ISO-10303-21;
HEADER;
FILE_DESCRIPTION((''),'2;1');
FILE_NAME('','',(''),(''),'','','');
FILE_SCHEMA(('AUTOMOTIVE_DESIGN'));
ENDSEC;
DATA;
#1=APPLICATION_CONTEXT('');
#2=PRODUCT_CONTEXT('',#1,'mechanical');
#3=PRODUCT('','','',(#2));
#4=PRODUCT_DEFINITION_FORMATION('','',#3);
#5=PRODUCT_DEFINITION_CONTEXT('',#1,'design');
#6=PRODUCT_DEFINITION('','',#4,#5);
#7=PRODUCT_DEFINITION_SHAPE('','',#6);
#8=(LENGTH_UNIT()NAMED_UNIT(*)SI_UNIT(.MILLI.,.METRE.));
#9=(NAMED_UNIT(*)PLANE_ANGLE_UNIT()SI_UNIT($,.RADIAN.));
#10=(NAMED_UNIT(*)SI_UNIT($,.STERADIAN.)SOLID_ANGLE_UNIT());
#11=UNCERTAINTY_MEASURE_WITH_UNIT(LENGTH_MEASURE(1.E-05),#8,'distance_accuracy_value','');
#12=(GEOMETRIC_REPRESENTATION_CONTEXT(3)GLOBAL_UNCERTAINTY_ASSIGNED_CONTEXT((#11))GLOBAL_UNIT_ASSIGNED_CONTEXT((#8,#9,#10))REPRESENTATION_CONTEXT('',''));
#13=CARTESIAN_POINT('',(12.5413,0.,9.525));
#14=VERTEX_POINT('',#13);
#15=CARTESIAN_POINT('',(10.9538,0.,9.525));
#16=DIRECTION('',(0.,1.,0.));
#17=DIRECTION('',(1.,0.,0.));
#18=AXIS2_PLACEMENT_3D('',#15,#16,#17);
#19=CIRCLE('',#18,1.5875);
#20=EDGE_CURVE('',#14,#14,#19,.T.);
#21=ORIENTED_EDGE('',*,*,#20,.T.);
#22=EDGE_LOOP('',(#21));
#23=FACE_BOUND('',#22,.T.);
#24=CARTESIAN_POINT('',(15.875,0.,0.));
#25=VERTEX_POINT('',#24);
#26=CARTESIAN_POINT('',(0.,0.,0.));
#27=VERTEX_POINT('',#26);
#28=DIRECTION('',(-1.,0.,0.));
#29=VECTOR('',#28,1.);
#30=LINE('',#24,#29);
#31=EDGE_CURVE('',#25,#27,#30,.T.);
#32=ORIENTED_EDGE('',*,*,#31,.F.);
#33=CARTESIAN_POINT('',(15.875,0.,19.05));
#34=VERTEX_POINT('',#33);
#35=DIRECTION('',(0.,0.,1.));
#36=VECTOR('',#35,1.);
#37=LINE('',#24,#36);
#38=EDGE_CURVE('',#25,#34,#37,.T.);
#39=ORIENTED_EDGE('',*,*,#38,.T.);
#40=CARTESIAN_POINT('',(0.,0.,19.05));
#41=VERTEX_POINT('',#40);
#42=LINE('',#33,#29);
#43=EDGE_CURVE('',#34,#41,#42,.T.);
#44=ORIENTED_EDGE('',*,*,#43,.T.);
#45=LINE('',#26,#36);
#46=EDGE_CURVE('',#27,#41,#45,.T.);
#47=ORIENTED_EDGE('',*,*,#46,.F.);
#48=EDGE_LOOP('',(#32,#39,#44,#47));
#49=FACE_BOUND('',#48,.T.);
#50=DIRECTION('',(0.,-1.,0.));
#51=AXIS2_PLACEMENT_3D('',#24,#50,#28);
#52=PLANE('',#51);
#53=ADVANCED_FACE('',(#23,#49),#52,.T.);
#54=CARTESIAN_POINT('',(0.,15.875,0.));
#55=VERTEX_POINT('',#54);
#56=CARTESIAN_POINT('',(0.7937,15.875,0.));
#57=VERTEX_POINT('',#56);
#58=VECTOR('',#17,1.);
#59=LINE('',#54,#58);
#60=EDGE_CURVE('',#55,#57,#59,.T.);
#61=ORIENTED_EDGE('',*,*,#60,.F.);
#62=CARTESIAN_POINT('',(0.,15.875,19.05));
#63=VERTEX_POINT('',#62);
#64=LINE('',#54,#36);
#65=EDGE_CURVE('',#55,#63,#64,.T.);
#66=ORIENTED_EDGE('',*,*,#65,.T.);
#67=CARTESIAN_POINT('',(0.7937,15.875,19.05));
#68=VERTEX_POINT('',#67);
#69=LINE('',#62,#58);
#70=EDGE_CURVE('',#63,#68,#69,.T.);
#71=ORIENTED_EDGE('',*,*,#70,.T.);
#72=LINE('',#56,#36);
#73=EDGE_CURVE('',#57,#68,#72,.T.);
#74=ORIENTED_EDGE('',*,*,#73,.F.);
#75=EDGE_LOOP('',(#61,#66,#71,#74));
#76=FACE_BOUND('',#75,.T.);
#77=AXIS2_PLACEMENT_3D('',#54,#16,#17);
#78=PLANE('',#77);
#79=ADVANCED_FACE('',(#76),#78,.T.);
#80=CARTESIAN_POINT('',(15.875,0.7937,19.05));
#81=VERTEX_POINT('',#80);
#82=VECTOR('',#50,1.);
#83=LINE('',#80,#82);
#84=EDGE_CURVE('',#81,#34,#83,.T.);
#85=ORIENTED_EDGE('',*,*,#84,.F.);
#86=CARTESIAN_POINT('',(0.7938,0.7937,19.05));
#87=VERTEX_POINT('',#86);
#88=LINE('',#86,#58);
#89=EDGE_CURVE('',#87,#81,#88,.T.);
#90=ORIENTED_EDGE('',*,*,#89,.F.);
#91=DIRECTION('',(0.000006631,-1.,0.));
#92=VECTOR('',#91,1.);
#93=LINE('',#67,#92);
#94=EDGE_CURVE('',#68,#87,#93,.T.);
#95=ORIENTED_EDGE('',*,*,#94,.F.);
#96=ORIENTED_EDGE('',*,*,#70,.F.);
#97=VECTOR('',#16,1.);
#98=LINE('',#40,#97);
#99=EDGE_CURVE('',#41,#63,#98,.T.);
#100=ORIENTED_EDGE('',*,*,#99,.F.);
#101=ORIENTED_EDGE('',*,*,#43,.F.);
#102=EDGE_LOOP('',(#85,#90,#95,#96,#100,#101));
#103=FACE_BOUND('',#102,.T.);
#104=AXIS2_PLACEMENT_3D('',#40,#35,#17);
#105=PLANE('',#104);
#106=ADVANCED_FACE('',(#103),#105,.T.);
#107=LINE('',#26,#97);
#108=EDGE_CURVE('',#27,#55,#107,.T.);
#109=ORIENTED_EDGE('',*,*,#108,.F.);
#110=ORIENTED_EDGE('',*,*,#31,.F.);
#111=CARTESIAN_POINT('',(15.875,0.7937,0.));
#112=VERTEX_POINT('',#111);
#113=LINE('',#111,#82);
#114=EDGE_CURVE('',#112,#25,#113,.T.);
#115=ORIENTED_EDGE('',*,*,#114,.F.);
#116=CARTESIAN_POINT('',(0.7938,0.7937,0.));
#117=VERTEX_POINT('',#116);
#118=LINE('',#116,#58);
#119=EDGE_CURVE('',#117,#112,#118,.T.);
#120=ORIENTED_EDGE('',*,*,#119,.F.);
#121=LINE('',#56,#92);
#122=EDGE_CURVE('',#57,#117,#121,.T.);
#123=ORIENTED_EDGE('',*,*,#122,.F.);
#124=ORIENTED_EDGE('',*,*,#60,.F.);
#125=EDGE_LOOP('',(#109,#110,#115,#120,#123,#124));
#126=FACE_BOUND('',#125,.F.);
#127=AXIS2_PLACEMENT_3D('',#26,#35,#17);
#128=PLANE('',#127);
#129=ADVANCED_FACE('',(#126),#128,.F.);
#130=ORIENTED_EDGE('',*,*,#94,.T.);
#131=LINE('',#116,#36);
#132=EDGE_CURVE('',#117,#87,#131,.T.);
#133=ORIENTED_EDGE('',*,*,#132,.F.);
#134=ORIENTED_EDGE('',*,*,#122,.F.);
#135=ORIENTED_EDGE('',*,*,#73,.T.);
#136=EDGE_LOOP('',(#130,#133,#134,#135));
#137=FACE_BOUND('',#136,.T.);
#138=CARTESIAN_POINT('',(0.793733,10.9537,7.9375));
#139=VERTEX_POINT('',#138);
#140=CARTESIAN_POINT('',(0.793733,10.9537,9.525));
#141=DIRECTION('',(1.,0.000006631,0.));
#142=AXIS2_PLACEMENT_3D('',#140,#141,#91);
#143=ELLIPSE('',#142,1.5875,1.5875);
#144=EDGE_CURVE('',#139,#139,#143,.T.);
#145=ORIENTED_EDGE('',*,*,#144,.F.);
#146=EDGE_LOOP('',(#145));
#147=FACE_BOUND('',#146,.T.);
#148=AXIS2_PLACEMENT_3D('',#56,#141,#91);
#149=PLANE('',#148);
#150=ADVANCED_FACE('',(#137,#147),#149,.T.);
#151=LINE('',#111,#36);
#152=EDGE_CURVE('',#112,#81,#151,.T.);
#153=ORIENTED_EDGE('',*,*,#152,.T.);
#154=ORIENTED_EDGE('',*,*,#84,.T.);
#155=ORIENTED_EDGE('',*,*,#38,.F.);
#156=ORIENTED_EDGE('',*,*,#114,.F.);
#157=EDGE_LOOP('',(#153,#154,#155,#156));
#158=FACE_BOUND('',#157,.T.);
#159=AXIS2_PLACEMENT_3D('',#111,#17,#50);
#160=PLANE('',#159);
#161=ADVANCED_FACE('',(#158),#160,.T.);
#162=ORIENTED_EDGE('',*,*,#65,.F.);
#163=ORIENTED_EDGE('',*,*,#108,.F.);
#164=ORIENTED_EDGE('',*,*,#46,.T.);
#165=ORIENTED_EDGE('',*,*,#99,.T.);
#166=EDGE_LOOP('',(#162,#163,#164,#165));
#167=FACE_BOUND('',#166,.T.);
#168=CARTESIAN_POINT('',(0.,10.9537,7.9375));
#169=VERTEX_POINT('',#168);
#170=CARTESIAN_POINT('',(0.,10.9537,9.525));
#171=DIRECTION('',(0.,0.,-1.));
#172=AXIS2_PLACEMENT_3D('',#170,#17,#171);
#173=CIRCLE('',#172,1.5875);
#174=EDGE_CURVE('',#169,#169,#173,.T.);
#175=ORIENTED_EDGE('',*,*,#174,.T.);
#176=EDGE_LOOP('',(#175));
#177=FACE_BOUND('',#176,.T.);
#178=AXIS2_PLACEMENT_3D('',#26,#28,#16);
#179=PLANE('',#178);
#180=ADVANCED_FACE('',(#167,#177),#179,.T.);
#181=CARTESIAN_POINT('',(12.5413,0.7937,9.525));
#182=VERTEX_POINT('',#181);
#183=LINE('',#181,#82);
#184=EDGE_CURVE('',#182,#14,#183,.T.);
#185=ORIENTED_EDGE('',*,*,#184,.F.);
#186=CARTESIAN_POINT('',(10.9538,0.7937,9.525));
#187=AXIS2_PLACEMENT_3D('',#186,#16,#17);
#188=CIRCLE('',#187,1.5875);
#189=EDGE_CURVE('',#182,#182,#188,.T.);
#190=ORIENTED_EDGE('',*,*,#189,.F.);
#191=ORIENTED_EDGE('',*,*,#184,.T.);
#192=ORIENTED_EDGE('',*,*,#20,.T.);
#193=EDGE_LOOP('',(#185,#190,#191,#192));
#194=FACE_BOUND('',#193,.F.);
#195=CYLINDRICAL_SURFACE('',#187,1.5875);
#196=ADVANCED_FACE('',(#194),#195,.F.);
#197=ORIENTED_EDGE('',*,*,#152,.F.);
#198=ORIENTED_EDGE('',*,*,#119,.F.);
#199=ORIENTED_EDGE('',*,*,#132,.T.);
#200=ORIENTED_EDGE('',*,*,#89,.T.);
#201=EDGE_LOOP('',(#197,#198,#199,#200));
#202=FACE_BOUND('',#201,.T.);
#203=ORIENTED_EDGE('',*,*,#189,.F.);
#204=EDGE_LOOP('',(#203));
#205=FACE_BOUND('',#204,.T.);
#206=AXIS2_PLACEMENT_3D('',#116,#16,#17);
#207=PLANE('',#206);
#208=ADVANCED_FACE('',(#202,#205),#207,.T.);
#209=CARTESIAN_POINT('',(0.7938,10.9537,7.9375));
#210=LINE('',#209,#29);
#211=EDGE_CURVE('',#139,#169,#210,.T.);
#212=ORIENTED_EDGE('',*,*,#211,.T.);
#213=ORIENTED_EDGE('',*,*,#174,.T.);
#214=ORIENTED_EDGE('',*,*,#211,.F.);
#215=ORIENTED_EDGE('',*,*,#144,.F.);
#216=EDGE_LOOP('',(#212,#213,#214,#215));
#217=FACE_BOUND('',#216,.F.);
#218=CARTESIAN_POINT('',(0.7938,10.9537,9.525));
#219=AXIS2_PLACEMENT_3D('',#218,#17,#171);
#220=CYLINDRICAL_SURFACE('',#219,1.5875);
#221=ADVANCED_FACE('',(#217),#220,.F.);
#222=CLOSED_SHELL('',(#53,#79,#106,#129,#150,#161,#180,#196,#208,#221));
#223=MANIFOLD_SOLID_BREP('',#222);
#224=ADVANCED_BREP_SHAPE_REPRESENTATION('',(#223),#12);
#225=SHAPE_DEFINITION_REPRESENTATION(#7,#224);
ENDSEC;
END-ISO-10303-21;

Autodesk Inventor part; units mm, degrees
ref_plane "YZ Plane" through (0, 0, 0) normal (1, 0, 0) x (0, 1, 0)
ref_plane "XZ Plane" through (0, 0, 0) normal (0, 1, 0) x (-1, 0, 0)
sketch "Sketch1" plane through (0, 0, 0) normal (0, 0, 1) x (1, 0, 0)
  line L0 (0, 0) -> (0, 15.875)
  line L1 (0, 15.875) -> (0.7937, 15.875)
  line L2 (0.7937, 15.875) -> (0.7938, 0.7937)
  line L3 (0.7938, 0.7937) -> (15.875, 0.7937)
  line L4 (15.875, 0.7937) -> (15.875, 0)
  line L5 (15.875, 0) -> (0, 0)
  dimension "d0" = 15.875
  dimension "d1" = 0.7937
  dimension "d11" = 15.875
extrude "Extrusion1" add sketch "Sketch1" along normal blind 19.05
sketch "Sketch2" plane through (0.7938, 0.7937, 0) normal (1, 0, 0) x (0, 0, -1)
  line L0 (0, 15.0812) -> (0, 0) projected
  line L1 (-19.05, 0) -> (-19.05, 15.0812) projected
  circle A0 centre (-9.525, 10.16) radius 1.5875
  line L2 (0, 0) -> (-19.05, 0) projected
  line L3 (-19.05, 10.16) -> (0, 10.16) construction
  point P0 (0, -0.7937)
  dimension "d4" = 3.175
  dimension "d13" = 10.16
sketch "Sketch3" plane through (0.7938, 0.7937, 0) normal (0, 1, 0) x (1, 0, 0)
  line L0 (15.0812, -19.05) -> (0, -19.05) projected
  circle A0 centre (10.16, -9.525) radius 1.5875
  line L1 (0, 0) -> (0, -19.05) projected
  line L2 (10.16, 0) -> (10.16, -19.05) construction
  line L3 (0, 0) -> (15.0812, 0) projected
  point P0 (-0.7938, 0)
  dimension "d5" = 3.175
  dimension "d10" = 10.16
  dimension "d12" = 15.0813
extrude "Extrusion2" cut sketch "Sketch2" against normal through all
extrude "Extrusion3" cut sketch "Sketch3" against normal through all
ref_plane "Work Plane1" through (0, 0, 9.525) normal (0, 0, 1) x (1, 0, 0)
properties part number "Hopper Pail Mounting Brace P13" material "Aluminum 6061"
